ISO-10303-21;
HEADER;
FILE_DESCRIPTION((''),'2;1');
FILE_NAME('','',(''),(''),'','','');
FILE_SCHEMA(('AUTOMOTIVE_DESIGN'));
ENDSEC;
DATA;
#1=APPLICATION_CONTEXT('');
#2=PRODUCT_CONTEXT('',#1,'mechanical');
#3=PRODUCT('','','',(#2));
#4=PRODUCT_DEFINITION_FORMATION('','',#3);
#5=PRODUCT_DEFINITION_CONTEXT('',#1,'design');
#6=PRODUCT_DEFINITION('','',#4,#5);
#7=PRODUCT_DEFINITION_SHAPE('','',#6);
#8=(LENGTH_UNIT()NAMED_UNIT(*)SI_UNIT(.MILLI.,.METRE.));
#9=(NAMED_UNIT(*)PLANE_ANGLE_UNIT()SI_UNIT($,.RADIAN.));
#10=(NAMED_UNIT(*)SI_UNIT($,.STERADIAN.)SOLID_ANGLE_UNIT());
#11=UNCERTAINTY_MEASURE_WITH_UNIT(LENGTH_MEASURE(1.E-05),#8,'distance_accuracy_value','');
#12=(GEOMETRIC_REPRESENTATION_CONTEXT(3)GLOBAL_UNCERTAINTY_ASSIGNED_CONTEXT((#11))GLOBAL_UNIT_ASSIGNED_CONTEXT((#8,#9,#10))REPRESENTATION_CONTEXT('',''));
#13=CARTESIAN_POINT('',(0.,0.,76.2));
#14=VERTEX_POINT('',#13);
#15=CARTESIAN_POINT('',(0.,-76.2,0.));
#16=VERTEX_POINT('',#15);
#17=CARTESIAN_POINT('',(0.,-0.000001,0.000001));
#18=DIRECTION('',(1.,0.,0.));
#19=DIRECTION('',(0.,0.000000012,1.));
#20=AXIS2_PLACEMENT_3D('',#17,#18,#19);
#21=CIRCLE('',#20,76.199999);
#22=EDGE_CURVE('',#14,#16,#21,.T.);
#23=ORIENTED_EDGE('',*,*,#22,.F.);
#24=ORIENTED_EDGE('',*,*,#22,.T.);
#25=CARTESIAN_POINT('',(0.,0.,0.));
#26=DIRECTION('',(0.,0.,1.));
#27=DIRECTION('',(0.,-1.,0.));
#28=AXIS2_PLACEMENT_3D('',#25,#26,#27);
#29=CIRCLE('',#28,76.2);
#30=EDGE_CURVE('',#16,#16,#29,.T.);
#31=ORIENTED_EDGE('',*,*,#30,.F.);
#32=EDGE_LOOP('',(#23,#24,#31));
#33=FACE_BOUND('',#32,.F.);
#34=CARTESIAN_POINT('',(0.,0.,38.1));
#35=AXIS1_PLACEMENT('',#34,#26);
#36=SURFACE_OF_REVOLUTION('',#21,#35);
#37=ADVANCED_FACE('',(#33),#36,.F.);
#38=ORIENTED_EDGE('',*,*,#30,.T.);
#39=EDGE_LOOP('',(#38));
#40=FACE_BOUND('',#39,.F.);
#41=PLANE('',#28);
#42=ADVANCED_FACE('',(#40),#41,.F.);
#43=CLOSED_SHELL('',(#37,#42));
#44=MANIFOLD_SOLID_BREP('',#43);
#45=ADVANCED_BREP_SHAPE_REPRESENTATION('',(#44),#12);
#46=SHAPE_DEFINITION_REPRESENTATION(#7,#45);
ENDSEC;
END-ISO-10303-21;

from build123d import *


with BuildPart() as f1:
    # F0 (on Right) → F1 (revolve)
    with BuildSketch(Plane.YZ):
        with BuildLine():
            Line((-76.2, 0), (0, 0))
            Line((0, 0), (0, 76.2))
            ThreePointArc((0, 76.2), (-53.881537, 53.881537), (-76.2, 0))
        make_face()
    revolve(axis=Axis((0, 0, 38.1), (0, 0, 1)))


solid = f1.part
